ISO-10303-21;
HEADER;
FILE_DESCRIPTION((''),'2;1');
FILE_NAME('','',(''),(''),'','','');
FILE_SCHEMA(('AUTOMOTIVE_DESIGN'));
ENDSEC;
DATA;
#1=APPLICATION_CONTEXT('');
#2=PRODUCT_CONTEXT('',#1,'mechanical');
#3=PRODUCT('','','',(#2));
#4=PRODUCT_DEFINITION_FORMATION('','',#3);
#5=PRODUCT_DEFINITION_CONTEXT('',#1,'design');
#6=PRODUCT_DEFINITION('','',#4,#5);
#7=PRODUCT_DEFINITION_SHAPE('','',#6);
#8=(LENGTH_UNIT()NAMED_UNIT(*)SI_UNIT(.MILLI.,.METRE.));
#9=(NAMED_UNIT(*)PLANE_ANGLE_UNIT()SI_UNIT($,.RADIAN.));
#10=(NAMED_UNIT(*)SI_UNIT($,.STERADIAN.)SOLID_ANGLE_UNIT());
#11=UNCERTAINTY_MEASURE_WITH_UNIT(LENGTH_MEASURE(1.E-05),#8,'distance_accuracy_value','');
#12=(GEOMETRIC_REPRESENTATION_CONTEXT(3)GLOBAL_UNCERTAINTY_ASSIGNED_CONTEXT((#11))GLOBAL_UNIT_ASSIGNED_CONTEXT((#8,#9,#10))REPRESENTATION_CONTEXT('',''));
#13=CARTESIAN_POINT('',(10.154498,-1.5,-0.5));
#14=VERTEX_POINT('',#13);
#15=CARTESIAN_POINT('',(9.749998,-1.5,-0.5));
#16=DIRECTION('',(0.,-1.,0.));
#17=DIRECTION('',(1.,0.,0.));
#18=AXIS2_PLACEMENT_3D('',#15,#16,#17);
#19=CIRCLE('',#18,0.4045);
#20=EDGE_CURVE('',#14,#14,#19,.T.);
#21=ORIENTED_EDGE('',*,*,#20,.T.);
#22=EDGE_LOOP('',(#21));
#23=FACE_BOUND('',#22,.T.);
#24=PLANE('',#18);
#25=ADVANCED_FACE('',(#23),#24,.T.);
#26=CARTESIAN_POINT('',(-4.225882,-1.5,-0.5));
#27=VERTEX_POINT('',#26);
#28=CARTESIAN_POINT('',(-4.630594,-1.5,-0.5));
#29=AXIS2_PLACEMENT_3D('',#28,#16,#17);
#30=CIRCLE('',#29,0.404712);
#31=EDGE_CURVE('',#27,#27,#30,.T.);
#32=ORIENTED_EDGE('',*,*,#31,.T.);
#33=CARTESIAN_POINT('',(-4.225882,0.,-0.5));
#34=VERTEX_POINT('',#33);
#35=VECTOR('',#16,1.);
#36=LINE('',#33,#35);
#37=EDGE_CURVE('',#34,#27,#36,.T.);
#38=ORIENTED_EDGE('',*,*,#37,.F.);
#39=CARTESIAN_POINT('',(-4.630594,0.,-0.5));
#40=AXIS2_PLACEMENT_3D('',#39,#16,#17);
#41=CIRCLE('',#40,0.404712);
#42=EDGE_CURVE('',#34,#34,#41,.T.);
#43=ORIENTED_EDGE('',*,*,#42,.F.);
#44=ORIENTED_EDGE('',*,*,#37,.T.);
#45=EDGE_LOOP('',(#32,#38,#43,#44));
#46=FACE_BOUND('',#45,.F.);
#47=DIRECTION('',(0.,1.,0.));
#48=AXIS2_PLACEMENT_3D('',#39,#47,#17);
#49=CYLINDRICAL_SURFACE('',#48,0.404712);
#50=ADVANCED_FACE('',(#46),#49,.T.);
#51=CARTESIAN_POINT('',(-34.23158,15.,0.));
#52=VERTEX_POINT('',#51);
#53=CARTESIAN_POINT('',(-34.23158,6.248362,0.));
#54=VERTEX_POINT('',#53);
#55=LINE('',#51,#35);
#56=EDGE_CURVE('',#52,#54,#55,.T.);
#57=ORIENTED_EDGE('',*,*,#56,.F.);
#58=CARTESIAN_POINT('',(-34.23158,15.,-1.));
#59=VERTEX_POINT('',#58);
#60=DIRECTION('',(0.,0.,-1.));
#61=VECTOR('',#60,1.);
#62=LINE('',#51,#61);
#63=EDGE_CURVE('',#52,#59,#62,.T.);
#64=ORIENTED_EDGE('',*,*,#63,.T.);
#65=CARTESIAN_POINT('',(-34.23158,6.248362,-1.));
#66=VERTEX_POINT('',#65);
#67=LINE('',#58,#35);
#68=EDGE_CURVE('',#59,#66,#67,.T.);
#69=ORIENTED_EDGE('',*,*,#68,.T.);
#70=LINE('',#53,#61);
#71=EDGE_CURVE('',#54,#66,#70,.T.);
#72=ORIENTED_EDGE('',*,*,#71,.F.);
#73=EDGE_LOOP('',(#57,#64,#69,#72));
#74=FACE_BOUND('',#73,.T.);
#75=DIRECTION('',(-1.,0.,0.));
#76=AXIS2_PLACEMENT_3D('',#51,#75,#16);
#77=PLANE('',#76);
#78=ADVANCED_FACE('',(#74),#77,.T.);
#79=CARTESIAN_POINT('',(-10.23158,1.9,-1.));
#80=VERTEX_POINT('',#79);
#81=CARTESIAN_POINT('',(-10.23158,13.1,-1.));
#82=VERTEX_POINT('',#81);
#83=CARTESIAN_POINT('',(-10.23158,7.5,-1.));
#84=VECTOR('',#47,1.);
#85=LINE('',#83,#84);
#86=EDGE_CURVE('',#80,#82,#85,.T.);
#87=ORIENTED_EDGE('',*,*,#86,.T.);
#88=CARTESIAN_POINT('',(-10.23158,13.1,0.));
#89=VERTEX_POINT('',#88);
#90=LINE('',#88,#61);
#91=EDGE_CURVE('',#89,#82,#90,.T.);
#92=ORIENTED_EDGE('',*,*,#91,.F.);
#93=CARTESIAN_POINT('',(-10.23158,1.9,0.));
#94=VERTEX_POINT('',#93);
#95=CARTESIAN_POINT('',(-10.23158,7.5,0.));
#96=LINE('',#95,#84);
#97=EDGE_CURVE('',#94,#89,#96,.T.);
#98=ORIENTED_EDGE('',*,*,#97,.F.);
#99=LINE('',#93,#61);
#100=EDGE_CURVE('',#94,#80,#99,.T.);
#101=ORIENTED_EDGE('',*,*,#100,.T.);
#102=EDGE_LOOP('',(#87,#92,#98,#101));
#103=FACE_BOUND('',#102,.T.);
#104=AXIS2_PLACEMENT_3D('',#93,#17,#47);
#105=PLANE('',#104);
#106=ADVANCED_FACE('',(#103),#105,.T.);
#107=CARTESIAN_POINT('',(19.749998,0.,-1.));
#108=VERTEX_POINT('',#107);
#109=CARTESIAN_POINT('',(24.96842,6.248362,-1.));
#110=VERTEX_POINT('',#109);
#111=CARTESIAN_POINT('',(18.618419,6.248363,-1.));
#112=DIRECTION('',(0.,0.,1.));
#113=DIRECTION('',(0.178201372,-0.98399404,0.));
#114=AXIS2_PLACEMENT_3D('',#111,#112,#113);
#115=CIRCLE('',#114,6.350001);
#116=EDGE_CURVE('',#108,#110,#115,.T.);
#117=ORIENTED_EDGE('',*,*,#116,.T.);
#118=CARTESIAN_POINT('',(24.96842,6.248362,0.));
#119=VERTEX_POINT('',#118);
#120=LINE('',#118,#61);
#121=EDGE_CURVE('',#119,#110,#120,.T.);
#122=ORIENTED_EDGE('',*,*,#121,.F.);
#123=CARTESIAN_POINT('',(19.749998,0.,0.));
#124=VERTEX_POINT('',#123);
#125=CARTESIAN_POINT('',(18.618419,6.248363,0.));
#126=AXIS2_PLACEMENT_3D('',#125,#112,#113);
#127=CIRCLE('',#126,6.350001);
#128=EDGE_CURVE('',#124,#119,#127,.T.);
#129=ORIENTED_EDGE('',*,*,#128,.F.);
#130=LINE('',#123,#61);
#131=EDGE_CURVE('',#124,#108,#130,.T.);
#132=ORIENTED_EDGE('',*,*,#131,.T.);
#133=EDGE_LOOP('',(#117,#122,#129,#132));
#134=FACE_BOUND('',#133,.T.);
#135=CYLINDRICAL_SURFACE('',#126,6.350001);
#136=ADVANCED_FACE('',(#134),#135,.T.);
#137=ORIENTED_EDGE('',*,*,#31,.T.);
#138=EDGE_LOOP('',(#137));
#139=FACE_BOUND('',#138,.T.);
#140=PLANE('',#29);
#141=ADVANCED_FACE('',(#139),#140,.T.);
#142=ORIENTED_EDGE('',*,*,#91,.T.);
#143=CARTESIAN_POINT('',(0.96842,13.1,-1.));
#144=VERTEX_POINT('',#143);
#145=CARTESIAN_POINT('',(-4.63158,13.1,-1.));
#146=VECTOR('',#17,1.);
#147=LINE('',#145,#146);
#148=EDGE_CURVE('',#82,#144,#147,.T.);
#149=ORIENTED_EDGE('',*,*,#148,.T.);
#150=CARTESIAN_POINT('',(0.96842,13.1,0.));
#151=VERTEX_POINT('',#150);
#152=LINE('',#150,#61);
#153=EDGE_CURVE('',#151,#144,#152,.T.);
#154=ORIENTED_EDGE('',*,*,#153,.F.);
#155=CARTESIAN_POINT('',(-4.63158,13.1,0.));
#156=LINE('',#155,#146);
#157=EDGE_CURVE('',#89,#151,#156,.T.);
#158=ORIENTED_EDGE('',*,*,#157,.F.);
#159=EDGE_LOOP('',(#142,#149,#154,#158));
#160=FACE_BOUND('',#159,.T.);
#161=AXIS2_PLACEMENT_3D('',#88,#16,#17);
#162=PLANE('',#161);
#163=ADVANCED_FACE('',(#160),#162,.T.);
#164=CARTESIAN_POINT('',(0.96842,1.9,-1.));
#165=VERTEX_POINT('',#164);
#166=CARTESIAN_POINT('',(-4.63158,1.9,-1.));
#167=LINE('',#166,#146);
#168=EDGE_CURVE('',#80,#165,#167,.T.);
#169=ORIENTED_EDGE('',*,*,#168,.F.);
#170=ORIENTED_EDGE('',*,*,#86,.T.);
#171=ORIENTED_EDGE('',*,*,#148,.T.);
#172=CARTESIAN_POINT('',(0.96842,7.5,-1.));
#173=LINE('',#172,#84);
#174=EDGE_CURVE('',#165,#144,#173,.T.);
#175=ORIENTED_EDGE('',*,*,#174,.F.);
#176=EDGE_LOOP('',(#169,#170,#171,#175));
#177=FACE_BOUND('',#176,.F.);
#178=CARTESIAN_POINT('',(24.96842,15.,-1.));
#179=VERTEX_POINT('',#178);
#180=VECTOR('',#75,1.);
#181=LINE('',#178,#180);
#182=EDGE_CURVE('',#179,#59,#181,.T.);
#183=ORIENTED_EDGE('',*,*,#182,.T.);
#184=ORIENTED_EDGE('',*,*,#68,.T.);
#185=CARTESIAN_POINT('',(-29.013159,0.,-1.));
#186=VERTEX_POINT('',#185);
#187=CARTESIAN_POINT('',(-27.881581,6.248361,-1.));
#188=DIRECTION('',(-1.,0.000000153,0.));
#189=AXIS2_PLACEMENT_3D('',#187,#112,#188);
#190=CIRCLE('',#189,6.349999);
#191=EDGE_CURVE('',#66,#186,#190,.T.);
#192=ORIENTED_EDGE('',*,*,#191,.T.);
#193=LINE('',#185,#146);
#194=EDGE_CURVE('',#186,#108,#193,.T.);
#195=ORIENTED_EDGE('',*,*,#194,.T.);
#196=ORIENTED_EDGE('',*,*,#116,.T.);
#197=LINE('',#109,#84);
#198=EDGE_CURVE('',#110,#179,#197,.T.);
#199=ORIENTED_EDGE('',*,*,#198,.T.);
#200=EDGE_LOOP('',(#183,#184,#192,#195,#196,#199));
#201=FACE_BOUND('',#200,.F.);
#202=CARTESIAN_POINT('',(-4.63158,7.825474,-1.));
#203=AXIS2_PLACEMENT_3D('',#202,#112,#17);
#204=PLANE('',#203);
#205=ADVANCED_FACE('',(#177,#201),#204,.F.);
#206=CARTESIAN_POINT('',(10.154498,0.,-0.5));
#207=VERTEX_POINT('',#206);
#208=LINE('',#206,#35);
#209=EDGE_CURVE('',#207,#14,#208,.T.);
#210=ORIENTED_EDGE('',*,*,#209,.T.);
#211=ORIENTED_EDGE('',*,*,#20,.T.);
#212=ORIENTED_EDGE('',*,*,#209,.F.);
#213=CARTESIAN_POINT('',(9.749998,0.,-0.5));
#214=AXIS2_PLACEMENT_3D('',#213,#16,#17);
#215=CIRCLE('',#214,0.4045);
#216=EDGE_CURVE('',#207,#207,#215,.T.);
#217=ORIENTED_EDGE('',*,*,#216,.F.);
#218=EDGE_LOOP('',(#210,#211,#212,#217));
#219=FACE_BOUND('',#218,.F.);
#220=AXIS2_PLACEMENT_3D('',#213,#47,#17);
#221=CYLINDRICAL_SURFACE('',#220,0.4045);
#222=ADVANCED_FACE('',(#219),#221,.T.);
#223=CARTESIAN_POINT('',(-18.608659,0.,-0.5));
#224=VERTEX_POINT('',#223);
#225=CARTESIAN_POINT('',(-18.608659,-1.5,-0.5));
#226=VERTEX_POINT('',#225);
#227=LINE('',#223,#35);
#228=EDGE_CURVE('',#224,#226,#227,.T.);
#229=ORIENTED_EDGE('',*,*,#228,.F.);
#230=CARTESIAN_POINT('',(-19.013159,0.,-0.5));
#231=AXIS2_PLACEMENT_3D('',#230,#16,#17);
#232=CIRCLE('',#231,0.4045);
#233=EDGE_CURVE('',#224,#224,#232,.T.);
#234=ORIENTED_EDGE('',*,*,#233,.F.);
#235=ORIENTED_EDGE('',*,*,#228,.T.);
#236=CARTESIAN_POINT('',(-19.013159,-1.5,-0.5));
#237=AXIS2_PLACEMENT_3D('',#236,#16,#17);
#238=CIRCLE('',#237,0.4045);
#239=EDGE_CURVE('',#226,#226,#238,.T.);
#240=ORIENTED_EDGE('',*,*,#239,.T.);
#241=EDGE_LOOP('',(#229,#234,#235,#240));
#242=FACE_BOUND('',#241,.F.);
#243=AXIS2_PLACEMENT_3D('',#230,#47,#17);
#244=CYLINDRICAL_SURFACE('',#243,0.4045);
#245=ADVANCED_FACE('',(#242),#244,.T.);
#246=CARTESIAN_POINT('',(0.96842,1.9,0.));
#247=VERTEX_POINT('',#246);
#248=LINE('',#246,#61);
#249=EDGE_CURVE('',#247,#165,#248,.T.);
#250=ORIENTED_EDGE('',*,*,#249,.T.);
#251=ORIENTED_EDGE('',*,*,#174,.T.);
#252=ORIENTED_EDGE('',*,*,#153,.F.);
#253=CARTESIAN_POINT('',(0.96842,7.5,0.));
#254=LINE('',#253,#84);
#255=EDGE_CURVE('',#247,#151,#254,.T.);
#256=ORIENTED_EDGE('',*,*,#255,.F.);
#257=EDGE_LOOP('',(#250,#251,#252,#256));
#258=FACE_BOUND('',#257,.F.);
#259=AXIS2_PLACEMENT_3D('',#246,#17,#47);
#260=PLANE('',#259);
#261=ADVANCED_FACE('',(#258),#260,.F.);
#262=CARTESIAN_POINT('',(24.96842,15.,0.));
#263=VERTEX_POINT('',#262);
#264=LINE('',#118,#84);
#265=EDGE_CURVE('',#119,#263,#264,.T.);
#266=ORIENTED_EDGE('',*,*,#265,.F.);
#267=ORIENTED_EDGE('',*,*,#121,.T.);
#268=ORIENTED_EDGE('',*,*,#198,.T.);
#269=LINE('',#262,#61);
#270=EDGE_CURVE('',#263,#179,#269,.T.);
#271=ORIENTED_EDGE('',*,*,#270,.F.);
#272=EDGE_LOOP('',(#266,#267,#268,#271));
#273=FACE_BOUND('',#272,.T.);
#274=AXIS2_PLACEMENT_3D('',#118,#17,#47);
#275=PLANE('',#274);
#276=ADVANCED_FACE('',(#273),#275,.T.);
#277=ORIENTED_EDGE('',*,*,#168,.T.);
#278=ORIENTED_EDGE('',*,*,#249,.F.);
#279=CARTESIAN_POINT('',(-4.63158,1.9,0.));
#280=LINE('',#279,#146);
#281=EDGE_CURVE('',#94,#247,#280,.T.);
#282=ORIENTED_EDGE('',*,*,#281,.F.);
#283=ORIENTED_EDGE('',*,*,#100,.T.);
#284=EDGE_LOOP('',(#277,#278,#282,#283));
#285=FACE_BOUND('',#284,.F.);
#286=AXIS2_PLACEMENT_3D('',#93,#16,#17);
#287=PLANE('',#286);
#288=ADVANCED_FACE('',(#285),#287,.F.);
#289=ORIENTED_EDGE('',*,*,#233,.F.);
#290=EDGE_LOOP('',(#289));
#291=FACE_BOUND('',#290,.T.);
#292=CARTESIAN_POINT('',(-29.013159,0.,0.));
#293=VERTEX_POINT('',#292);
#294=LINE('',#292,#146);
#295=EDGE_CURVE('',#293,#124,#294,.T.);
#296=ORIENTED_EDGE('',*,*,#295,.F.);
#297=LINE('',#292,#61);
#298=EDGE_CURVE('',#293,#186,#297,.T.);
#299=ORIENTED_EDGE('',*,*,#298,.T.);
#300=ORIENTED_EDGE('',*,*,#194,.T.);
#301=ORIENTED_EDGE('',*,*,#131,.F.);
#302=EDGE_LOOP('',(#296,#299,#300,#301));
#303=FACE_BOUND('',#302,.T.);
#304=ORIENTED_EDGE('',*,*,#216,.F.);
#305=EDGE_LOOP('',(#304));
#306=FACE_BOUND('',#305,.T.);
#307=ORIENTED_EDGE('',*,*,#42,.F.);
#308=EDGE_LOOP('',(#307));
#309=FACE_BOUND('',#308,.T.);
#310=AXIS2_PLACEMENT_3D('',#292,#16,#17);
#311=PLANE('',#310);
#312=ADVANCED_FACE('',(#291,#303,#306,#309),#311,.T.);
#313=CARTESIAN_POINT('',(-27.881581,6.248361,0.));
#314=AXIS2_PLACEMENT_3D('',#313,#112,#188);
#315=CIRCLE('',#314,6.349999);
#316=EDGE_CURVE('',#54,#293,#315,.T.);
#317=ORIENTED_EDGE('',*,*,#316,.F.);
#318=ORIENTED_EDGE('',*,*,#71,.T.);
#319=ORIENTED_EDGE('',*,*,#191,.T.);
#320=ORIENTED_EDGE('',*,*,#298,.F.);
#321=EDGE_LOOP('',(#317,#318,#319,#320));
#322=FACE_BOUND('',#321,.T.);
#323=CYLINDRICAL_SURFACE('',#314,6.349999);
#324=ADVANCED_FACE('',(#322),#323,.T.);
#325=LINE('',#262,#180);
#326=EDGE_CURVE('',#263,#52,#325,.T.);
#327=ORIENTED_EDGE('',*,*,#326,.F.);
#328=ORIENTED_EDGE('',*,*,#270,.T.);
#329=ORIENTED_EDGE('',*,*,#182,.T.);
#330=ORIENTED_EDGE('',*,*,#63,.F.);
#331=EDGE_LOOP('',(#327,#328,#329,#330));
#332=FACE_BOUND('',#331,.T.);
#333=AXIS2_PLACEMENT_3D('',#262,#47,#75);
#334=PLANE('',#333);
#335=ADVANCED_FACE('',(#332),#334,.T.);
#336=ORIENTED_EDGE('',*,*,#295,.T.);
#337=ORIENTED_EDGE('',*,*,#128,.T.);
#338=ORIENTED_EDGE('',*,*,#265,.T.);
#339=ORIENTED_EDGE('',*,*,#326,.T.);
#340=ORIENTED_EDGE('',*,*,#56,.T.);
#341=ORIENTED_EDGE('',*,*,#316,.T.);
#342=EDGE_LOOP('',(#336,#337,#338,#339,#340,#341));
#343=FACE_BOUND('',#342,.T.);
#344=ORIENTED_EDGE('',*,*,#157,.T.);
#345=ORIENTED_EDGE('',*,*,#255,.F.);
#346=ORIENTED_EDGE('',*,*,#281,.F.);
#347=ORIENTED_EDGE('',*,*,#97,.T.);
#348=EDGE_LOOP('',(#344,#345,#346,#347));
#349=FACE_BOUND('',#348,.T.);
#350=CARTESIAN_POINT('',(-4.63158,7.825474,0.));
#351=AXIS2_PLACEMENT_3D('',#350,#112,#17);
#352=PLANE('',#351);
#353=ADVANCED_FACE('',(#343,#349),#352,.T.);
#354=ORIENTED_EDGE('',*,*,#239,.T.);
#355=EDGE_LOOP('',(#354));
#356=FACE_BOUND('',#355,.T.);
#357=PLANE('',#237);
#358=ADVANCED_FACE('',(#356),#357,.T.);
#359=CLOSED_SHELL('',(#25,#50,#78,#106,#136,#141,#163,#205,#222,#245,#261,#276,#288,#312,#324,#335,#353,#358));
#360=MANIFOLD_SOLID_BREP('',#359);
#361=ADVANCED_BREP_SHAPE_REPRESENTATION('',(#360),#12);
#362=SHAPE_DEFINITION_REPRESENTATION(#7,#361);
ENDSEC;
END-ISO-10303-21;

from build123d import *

# Parameters (mm, degrees)
F1_DEPTH = 1
F3_R     = 0.4045
F3_R_2   = 0.404712
F4_DEPTH = 1.5
F5_W     = 11.2
F5_H     = 11.2
F6_DEPTH = 1


with BuildPart() as f1:
    # F0 (on Top) → F1 (new body)
    with BuildSketch(Plane.XY):
        with BuildLine():
            ThreePointArc((-34.23158, 6.248362), (-32.755389, 2.177921), (-29.013159, 0))
            Line((-29.013159, 0), (19.749998, 0))
            ThreePointArc((19.749998, 0), (23.492228, 2.177921), (24.96842, 6.248362))
            Line((24.96842, 6.248362), (24.96842, 15))
            Line((24.96842, 15), (-34.23158, 15))
            Line((-34.23158, 15), (-34.23158, 6.248362))
        make_face()
    extrude(amount=-F1_DEPTH)

    # F3 (on face) → F4 (join)
    with BuildSketch(Plane.XZ):
        with Locations((-19.013159, -0.5)):
            Circle(F3_R)
        with Locations((-4.630594, -0.5)):
            Circle(F3_R_2)
        with Locations((9.749998, -0.5)):
            Circle(F3_R)
    extrude(amount=F4_DEPTH)

    # F5 (on face) → F6 (cut)
    with BuildSketch(Plane.XY):
        with Locations((-4.63158, 7.5)):
            Rectangle(F5_W, F5_H)
    extrude(amount=-F6_DEPTH, mode=Mode.SUBTRACT)


solid = f1.part
